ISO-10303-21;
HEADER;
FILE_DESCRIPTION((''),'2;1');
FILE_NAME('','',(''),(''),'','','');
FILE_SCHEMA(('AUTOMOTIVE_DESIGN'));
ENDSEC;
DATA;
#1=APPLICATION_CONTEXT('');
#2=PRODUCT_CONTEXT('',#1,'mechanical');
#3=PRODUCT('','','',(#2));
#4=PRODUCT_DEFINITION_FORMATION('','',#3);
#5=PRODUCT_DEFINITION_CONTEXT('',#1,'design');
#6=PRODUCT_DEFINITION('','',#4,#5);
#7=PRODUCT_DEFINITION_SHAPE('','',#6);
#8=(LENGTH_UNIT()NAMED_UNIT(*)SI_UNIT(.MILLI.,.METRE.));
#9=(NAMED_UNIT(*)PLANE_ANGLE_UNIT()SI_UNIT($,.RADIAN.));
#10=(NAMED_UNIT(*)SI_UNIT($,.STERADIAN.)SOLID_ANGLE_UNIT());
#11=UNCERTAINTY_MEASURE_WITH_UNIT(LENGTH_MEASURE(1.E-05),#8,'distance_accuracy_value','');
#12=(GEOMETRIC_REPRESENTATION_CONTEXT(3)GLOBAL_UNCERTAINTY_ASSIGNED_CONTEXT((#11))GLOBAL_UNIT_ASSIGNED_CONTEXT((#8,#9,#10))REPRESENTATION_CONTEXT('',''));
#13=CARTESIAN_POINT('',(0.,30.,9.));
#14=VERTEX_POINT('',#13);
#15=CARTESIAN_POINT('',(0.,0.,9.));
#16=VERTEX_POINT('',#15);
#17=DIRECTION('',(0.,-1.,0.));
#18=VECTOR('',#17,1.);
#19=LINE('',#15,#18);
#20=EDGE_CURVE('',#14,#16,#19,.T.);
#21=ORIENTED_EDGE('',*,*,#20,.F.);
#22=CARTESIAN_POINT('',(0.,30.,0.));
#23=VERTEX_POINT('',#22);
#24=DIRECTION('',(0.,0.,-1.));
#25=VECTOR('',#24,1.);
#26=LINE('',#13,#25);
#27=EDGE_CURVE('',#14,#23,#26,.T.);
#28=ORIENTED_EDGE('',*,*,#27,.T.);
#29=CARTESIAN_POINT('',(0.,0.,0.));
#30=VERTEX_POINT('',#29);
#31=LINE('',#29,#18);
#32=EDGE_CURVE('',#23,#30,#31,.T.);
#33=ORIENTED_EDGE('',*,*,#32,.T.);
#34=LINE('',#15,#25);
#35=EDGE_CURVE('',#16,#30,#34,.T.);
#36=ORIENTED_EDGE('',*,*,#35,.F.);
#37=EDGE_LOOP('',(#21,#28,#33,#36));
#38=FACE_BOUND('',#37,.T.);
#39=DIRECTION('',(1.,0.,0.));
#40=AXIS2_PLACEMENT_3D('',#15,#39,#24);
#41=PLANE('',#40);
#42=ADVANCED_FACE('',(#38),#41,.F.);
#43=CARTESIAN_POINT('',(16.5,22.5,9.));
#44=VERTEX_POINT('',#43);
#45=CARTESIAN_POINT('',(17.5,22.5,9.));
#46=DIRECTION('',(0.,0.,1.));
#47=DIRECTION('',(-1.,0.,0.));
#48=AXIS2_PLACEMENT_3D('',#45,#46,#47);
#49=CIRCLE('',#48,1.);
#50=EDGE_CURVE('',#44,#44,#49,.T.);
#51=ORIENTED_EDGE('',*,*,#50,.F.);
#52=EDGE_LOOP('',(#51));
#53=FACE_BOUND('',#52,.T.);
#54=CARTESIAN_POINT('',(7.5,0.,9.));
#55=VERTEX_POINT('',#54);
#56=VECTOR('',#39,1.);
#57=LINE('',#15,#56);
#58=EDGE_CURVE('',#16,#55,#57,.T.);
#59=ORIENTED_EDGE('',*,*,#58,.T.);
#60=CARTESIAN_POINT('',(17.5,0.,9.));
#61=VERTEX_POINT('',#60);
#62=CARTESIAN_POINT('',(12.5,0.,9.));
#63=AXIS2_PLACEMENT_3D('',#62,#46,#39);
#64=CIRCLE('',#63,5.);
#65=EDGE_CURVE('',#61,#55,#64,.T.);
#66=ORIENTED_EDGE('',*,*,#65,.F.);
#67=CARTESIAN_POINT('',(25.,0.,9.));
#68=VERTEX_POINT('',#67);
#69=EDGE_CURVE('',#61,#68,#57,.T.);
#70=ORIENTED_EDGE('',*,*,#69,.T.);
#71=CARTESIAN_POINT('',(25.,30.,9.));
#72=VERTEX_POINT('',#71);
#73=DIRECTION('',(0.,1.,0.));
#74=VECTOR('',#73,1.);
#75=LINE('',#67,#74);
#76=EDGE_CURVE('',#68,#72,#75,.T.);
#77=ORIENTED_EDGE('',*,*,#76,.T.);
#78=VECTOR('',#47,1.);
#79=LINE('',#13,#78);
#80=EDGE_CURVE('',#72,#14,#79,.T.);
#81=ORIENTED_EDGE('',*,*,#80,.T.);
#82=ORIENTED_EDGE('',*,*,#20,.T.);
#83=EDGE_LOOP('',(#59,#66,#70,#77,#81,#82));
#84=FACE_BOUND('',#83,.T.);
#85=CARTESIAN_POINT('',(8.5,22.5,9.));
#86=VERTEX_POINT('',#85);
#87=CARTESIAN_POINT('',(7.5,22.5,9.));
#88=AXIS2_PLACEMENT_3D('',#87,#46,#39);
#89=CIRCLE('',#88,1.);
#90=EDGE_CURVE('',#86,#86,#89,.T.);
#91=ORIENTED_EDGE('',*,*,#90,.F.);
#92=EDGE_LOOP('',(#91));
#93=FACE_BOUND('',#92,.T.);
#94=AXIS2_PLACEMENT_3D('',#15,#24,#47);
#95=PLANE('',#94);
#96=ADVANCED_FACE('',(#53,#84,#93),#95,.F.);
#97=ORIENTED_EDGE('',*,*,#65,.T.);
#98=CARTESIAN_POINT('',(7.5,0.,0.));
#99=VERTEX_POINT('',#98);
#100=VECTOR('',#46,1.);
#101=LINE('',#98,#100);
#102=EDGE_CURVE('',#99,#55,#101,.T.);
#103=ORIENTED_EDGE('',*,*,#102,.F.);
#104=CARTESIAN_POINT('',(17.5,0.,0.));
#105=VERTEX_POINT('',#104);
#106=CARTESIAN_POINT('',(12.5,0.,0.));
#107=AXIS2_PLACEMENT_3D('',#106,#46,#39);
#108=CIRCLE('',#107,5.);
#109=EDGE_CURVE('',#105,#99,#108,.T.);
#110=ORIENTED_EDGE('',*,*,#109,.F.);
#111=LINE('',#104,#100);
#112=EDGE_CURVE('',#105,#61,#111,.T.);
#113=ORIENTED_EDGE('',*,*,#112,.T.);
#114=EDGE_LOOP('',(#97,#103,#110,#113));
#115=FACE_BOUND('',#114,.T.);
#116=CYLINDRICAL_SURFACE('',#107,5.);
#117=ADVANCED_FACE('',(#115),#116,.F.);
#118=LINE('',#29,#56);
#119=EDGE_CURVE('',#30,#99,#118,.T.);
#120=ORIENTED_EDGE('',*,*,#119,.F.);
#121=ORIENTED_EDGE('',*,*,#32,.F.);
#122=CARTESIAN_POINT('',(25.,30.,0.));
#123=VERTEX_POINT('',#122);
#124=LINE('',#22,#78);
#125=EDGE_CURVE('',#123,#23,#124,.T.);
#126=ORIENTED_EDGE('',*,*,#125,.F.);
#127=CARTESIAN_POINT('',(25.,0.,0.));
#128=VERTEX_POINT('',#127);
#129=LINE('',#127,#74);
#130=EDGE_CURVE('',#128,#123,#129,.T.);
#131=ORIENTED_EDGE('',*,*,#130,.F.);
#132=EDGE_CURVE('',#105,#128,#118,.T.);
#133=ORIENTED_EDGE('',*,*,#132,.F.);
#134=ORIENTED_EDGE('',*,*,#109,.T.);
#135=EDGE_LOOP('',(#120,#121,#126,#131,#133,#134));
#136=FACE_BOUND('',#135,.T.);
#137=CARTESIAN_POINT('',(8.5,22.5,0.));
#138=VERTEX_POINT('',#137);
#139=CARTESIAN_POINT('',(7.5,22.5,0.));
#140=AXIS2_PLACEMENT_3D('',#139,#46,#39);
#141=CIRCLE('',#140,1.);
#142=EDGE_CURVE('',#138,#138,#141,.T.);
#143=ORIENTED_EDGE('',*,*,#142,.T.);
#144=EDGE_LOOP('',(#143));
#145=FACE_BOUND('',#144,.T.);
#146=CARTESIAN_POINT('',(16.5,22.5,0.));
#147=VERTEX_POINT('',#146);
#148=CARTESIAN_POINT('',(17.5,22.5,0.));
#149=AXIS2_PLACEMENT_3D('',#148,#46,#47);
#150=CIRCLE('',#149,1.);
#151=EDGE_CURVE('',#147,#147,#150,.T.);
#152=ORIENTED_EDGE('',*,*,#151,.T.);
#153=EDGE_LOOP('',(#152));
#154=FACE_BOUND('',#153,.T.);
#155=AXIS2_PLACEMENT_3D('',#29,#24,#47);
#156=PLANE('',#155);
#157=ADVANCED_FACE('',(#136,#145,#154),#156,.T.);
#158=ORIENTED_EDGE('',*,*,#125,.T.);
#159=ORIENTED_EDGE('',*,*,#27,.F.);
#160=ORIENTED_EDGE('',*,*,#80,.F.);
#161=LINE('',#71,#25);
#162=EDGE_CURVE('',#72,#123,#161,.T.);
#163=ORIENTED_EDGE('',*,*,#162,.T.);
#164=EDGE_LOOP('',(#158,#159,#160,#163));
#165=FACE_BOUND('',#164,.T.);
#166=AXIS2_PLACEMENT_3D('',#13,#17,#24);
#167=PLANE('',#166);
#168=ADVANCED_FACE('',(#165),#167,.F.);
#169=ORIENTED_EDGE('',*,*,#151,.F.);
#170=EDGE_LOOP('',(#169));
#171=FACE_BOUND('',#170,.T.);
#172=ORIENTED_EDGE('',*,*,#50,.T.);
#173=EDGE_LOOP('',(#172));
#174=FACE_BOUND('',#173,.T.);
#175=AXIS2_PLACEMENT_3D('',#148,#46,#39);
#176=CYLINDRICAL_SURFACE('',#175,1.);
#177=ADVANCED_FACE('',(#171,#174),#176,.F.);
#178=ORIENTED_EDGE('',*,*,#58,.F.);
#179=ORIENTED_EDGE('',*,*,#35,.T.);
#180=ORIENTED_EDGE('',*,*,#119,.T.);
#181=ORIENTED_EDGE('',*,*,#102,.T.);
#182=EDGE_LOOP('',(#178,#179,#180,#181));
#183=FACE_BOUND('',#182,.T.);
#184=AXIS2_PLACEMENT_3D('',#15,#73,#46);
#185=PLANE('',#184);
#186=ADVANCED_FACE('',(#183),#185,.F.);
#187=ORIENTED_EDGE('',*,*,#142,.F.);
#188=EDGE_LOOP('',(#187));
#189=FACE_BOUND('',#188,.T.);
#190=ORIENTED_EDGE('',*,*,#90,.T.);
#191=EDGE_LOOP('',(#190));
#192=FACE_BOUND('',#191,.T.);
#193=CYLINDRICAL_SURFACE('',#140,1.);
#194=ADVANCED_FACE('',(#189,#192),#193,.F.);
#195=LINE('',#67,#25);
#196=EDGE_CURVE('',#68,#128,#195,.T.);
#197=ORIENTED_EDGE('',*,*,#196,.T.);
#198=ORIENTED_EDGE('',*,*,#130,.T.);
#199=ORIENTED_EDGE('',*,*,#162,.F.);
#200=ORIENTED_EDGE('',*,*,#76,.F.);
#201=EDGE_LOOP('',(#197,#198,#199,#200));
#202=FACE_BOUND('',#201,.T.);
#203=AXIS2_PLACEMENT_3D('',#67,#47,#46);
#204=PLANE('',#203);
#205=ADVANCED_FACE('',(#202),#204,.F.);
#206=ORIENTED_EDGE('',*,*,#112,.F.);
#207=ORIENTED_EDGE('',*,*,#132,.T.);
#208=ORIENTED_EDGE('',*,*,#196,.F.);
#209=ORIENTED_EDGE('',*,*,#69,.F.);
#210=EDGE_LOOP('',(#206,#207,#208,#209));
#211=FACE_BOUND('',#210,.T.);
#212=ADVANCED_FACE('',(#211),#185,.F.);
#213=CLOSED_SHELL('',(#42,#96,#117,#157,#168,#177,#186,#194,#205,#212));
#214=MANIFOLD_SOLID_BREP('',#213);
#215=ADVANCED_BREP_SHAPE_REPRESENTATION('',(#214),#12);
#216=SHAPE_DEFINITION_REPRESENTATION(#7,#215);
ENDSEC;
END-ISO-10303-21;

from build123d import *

# Parameters (mm, degrees)
SKETCH1_W           = 25
SKETCH1_H           = 30
BOSS_EXTRUDE1_DEPTH = 9
CUT_EXTRUDE3_DEPTH  = 41.074929819
SKETCH5_R           = 1
CUT_EXTRUDE4_DEPTH  = 41.074929819


with BuildPart() as part:
    # Sketch1 → Boss-Extrude1 (new body)
    with BuildSketch(Plane.XY):
        with Locations((12.5, 15)):
            Rectangle(SKETCH1_W, SKETCH1_H)
    extrude(amount=BOSS_EXTRUDE1_DEPTH)

    # Sketch4 → Cut-Extrude3 (cut, through all)
    with BuildSketch(Plane.XY.offset(9)):
        with BuildLine():
            ThreePointArc((17.5, 0), (12.5, 5), (7.5, 0))
            Line((7.5, 0), (17.5, 0))
        make_face()
        with BuildLine():
            Line((17.5, 0), (7.5, 0))
            ThreePointArc((7.5, 0), (12.5, -5), (17.5, 0))
        make_face()
    extrude(amount=-CUT_EXTRUDE3_DEPTH, mode=Mode.SUBTRACT)

    # Sketch5 → Cut-Extrude4 (cut, through all)
    with BuildSketch(Plane.XY.offset(9)):
        with Locations((7.5, 22.5)):
            Circle(SKETCH5_R)
        with Locations(Location((17.5, 22.5, 0), (0, 0, 180))):
            Circle(SKETCH5_R)
    extrude(amount=-CUT_EXTRUDE4_DEPTH, mode=Mode.SUBTRACT)


solid = part.part
